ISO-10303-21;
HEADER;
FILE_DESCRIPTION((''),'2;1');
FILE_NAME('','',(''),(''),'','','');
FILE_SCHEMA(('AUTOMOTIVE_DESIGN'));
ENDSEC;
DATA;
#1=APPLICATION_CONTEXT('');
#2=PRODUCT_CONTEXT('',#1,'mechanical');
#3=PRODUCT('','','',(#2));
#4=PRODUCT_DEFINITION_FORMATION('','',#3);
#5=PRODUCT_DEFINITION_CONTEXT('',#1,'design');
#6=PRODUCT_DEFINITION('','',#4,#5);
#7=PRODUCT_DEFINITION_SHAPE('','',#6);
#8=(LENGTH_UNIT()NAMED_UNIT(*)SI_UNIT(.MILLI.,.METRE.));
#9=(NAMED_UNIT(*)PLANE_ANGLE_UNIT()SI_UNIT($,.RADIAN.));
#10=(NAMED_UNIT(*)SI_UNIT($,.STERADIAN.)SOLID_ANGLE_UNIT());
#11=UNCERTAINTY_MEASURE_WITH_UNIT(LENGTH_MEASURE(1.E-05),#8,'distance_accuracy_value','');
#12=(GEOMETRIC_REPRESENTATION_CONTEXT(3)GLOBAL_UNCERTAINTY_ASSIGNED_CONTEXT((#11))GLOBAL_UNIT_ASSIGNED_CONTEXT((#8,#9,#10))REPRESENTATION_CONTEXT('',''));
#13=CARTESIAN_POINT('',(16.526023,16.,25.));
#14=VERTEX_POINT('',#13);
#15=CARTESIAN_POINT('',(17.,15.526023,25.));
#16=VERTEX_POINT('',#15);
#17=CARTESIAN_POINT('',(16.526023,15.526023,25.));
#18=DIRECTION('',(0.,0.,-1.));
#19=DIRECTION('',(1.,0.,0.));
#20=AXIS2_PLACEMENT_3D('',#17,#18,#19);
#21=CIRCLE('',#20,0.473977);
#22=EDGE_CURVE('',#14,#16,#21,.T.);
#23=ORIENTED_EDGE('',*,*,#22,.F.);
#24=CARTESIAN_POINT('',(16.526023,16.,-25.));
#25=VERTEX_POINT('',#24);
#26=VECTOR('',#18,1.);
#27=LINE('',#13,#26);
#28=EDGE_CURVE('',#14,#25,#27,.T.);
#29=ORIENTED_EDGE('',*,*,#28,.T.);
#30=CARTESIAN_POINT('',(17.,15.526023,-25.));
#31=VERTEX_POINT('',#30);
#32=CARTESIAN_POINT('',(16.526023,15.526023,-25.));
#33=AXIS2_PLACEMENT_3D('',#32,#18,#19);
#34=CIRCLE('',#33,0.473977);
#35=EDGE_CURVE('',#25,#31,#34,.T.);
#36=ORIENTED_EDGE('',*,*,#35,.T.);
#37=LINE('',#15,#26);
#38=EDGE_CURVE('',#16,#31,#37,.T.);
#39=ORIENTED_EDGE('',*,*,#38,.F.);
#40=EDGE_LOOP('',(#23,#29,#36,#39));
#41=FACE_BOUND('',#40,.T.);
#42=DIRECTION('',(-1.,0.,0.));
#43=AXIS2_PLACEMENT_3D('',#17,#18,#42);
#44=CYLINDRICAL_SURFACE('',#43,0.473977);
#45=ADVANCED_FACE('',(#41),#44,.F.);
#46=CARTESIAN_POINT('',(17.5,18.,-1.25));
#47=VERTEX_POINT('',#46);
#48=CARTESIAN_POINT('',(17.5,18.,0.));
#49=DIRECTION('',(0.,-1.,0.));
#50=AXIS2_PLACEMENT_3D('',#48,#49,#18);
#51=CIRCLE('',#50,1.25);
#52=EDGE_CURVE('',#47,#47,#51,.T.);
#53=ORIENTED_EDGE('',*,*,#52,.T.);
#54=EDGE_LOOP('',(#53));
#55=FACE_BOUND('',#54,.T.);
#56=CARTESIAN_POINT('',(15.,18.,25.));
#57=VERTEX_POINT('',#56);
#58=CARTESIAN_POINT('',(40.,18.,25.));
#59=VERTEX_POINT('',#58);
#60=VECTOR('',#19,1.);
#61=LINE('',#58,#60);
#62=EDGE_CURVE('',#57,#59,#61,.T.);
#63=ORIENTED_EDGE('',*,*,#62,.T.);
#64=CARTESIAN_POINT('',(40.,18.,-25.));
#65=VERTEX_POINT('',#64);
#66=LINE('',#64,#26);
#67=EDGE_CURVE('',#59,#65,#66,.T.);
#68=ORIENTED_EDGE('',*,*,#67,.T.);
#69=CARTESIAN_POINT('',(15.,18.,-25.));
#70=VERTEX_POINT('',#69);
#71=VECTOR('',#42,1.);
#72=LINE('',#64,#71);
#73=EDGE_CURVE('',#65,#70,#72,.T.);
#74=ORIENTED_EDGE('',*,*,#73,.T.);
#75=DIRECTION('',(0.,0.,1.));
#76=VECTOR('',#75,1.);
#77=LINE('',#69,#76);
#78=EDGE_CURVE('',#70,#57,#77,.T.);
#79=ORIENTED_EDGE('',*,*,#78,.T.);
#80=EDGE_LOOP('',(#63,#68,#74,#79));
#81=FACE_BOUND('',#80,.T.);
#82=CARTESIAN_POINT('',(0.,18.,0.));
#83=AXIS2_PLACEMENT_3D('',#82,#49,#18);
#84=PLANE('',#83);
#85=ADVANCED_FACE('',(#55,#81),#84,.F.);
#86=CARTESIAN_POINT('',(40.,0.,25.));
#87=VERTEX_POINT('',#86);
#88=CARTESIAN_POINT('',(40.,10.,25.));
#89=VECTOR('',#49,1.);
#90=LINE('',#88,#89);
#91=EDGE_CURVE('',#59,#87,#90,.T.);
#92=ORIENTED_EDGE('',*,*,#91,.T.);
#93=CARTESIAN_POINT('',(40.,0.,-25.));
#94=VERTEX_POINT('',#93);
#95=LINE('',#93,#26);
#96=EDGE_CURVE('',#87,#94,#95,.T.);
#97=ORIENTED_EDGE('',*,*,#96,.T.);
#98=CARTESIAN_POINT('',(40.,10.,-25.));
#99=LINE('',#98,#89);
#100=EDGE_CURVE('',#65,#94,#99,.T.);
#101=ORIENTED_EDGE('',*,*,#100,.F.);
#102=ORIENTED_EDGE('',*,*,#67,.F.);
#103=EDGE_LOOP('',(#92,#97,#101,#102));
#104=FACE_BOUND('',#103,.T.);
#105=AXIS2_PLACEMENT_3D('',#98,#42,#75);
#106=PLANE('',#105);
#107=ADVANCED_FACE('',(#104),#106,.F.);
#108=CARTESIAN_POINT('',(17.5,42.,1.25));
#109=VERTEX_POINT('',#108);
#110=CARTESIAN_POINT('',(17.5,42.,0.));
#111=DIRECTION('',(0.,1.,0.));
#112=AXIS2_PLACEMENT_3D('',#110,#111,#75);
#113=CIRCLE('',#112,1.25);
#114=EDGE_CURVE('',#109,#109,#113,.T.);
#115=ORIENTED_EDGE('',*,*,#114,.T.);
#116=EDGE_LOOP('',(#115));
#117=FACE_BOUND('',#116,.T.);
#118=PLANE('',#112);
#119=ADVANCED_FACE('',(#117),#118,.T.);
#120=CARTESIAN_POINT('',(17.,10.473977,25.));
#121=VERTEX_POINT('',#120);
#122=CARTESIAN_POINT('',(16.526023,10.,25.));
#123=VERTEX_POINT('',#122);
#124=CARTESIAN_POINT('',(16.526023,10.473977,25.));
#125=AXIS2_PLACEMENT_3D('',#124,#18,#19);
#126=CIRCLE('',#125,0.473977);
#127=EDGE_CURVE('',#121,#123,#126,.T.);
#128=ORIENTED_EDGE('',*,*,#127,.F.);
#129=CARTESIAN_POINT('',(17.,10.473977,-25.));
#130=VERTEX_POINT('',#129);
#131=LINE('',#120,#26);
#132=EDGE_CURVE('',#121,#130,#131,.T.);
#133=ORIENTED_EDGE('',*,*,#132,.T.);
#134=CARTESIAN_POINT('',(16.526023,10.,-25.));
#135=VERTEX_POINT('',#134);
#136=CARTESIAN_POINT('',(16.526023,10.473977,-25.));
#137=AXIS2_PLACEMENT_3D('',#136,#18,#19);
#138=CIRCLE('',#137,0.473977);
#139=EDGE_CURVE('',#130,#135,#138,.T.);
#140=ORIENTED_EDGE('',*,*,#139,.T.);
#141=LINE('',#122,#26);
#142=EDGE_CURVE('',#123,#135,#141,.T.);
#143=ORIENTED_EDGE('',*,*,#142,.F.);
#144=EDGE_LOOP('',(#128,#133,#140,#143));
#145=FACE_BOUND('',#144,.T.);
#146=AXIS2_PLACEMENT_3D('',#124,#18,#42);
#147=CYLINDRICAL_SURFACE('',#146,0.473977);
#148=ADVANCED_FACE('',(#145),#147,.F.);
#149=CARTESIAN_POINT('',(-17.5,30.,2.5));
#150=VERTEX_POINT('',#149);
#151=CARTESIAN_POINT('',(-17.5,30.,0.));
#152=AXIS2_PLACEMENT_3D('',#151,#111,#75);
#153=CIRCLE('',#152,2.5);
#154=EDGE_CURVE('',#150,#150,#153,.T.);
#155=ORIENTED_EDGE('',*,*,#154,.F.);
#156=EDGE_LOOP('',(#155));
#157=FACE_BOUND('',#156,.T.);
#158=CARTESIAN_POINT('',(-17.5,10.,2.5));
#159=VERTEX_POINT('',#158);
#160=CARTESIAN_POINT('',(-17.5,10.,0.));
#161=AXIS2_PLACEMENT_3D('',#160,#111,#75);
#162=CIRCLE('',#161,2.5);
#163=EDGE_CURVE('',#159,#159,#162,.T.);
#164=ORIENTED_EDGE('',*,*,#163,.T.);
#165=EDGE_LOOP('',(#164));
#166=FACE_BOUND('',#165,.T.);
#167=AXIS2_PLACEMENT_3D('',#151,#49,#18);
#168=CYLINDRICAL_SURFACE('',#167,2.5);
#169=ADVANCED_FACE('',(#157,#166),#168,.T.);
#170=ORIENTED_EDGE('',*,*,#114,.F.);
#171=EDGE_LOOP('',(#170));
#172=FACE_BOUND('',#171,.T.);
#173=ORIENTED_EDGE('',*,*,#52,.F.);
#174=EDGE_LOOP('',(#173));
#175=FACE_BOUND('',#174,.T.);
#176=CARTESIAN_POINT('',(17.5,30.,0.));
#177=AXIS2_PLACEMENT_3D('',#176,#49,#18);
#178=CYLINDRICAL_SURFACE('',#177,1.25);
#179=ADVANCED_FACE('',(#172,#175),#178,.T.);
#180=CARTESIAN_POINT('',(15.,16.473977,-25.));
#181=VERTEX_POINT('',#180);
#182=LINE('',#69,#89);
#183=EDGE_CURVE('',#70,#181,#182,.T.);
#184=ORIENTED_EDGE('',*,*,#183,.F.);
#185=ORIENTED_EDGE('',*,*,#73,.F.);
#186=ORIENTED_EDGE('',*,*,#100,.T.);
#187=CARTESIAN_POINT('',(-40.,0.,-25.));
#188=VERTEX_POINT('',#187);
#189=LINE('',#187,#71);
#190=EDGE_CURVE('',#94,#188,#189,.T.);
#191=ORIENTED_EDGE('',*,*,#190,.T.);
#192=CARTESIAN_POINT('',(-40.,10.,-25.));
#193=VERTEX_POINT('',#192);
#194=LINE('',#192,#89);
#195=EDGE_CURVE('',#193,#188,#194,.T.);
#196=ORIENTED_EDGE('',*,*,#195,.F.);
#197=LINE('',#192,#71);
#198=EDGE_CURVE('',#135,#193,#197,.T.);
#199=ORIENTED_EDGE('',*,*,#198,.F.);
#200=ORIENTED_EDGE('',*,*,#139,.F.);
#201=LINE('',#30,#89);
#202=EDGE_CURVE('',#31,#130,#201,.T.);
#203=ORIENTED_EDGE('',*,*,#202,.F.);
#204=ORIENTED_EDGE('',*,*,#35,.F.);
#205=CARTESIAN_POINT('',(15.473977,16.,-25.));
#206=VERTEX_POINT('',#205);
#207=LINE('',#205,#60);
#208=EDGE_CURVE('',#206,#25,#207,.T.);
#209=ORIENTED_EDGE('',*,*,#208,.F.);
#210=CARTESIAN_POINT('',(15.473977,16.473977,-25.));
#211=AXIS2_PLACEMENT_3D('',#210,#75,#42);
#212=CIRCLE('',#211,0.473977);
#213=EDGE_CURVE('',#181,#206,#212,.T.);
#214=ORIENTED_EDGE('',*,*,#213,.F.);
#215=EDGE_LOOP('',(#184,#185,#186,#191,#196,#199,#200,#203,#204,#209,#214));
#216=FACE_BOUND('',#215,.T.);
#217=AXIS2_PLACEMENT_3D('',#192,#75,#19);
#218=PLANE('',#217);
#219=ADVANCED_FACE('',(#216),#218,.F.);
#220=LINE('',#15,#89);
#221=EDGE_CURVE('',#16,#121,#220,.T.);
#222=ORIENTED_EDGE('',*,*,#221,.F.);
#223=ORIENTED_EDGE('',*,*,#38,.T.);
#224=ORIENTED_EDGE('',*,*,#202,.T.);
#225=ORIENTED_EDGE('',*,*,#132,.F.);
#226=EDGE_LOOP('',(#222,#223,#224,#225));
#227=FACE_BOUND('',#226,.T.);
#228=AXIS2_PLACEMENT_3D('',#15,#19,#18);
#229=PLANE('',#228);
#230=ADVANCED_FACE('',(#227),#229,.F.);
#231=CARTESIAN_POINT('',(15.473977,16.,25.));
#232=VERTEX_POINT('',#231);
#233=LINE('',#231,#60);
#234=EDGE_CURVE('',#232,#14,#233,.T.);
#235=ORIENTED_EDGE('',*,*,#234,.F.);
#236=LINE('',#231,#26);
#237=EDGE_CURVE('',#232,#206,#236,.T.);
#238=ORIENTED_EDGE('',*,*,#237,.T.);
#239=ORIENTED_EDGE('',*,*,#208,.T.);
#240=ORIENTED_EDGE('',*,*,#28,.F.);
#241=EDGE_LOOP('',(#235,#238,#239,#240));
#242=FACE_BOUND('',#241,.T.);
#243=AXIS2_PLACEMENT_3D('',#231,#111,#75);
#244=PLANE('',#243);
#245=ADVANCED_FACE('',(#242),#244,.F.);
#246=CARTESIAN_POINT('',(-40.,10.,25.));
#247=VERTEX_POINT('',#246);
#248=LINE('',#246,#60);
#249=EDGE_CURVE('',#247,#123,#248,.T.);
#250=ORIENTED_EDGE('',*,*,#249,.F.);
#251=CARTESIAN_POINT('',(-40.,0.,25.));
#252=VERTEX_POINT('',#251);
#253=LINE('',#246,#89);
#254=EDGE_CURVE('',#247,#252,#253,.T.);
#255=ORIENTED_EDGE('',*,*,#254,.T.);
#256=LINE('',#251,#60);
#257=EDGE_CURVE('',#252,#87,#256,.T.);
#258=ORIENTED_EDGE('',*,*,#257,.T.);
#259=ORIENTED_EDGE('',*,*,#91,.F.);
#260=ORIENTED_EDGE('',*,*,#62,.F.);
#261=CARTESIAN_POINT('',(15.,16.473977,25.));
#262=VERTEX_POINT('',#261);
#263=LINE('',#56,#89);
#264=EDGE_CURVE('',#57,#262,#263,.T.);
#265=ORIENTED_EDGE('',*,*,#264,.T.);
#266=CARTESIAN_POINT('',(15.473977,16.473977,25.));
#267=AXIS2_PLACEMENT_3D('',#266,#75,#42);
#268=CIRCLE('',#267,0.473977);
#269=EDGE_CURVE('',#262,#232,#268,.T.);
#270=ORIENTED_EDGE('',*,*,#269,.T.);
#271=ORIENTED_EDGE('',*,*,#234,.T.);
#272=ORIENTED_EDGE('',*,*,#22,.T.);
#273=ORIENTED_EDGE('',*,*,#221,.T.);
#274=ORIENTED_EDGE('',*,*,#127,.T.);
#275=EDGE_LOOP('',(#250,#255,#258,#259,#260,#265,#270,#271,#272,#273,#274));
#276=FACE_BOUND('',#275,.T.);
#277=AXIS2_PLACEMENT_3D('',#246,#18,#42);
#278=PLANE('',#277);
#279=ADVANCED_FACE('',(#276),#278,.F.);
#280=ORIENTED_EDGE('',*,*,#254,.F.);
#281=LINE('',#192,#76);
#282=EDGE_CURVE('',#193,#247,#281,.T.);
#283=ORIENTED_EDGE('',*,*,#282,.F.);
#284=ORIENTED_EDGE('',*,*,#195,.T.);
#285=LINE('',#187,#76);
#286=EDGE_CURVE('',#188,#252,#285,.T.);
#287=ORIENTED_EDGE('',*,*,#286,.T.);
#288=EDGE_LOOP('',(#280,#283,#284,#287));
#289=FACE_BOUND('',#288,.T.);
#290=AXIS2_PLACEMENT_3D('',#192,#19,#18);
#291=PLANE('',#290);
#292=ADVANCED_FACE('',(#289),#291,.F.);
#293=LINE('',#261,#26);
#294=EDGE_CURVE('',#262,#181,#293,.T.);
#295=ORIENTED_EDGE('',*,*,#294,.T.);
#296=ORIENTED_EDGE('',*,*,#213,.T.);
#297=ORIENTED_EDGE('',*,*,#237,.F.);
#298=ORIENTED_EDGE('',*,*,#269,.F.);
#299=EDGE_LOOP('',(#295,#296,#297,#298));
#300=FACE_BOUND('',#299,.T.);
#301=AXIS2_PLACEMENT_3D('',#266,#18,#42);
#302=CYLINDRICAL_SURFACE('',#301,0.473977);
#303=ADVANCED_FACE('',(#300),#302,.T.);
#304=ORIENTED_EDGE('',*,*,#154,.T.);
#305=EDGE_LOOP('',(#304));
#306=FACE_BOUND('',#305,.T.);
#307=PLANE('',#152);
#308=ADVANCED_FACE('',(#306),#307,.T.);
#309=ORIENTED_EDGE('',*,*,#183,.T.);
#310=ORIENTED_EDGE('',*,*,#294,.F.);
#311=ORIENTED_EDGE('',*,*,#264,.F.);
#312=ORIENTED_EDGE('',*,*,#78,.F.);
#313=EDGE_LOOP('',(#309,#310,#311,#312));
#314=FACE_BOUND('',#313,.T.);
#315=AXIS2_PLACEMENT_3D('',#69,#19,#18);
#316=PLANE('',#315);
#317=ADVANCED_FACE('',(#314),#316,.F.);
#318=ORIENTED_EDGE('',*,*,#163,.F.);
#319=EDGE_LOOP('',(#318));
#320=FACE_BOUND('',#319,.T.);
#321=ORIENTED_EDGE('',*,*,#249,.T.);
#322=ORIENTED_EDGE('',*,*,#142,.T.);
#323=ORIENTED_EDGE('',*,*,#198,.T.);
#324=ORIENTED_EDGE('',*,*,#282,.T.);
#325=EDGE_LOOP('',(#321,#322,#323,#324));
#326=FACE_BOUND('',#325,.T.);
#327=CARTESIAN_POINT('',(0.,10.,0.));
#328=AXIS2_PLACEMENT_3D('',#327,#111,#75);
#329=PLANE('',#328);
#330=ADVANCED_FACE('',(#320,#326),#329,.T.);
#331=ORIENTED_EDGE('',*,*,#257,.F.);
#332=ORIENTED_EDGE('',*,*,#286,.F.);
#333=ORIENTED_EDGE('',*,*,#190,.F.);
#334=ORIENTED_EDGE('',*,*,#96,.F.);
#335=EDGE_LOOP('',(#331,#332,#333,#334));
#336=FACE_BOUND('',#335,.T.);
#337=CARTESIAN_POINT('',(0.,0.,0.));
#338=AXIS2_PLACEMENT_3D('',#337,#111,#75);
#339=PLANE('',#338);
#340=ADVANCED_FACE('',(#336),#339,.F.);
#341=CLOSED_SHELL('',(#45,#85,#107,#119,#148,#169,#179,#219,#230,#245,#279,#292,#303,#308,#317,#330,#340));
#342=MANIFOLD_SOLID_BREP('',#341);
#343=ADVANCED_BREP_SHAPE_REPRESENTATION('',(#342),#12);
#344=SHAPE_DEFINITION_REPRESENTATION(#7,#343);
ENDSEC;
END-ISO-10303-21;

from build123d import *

# Parameters (mm, degrees)
SKETCH_1_W          = 80
SKETCH_1_H          = 50
EXTRUDE_1_DEPTH     = 10
SKETCH_2_R          = 2.5
SKETCH_2_R_2        = 1.25
EXTRUDE_2_DEPTH     = 20
SKETCH_4_W          = 25
SKETCH_4_H          = 50
EXTRUDE_3_DEPTH     = 8
SKETCH_5_R          = 1.25
EXTRUDE_4_DEPTH     = 12
CUT_EXTRUDE_1_DEPTH = 77.576758876


with BuildPart() as part:
    # 草圖1 → 填料-伸長1 (new body)
    with BuildSketch(Plane(origin=(0, 0, 0), x_dir=(1, 0, 0), z_dir=(0, 1, 0))):
        Rectangle(SKETCH_1_W, SKETCH_1_H)
    extrude(amount=EXTRUDE_1_DEPTH)

    # 草圖2 → 填料-伸長2 (add)
    with BuildSketch(Plane(origin=(0, 10, 0), x_dir=(1, 0, 0), z_dir=(0, 1, 0))):
        with Locations(Location((-17.5, 0, 0), (0, 0, 270))):
            Circle(SKETCH_2_R)
        with Locations(Location((17.5, 0, 0), (0, 0, 270))):
            Circle(SKETCH_2_R_2)
    extrude(amount=EXTRUDE_2_DEPTH)

    # 草圖4 → 填料-伸長3 (add)
    with BuildSketch(Plane(origin=(0, 10, 0), x_dir=(1, 0, 0), z_dir=(0, 1, 0))):
        with Locations((27.5, 0)):
            Rectangle(SKETCH_4_W, SKETCH_4_H)
    extrude(amount=EXTRUDE_3_DEPTH)

    # 草圖5 → 填料-伸長4 (add)
    with BuildSketch(Plane(origin=(0, 30, 0), x_dir=(1, 0, 0), z_dir=(0, 1, 0))):
        with Locations(Location((17.5, 0, 0), (0, 0, 90))):
            Circle(SKETCH_5_R)
    extrude(amount=EXTRUDE_4_DEPTH)

    # 草圖7 → 除料-伸長1 (cut, through all)
    with BuildSketch(Plane(origin=(0, 0, -25), x_dir=(-1, 0, 0), z_dir=(0, 0, -1))):
        with BuildLine():
            Line((-15.473976981, 16), (-16.526023019, 16))
            ThreePointArc((-16.526023019, 16), (-16.861175356, 15.861175356), (-17, 15.526023019))
            Line((-17, 15.526023019), (-17, 10.473976981))
            ThreePointArc((-17, 10.473976981), (-16.861175356, 10.138824644), (-16.526023019, 10))
            Line((-16.526023019, 10), (-15, 10))
            Line((-15, 10), (-14.5, 10))
            Line((-14.5, 10), (-14.5, 18))
            Line((-14.5, 18), (-15, 18))
            Line((-15, 18), (-15, 16.473976981))
            ThreePointArc((-15, 16.473976981), (-15.138824644, 16.138824644), (-15.473976981, 16))
        make_face()
    extrude(amount=-CUT_EXTRUDE_1_DEPTH, mode=Mode.SUBTRACT)


solid = part.part
